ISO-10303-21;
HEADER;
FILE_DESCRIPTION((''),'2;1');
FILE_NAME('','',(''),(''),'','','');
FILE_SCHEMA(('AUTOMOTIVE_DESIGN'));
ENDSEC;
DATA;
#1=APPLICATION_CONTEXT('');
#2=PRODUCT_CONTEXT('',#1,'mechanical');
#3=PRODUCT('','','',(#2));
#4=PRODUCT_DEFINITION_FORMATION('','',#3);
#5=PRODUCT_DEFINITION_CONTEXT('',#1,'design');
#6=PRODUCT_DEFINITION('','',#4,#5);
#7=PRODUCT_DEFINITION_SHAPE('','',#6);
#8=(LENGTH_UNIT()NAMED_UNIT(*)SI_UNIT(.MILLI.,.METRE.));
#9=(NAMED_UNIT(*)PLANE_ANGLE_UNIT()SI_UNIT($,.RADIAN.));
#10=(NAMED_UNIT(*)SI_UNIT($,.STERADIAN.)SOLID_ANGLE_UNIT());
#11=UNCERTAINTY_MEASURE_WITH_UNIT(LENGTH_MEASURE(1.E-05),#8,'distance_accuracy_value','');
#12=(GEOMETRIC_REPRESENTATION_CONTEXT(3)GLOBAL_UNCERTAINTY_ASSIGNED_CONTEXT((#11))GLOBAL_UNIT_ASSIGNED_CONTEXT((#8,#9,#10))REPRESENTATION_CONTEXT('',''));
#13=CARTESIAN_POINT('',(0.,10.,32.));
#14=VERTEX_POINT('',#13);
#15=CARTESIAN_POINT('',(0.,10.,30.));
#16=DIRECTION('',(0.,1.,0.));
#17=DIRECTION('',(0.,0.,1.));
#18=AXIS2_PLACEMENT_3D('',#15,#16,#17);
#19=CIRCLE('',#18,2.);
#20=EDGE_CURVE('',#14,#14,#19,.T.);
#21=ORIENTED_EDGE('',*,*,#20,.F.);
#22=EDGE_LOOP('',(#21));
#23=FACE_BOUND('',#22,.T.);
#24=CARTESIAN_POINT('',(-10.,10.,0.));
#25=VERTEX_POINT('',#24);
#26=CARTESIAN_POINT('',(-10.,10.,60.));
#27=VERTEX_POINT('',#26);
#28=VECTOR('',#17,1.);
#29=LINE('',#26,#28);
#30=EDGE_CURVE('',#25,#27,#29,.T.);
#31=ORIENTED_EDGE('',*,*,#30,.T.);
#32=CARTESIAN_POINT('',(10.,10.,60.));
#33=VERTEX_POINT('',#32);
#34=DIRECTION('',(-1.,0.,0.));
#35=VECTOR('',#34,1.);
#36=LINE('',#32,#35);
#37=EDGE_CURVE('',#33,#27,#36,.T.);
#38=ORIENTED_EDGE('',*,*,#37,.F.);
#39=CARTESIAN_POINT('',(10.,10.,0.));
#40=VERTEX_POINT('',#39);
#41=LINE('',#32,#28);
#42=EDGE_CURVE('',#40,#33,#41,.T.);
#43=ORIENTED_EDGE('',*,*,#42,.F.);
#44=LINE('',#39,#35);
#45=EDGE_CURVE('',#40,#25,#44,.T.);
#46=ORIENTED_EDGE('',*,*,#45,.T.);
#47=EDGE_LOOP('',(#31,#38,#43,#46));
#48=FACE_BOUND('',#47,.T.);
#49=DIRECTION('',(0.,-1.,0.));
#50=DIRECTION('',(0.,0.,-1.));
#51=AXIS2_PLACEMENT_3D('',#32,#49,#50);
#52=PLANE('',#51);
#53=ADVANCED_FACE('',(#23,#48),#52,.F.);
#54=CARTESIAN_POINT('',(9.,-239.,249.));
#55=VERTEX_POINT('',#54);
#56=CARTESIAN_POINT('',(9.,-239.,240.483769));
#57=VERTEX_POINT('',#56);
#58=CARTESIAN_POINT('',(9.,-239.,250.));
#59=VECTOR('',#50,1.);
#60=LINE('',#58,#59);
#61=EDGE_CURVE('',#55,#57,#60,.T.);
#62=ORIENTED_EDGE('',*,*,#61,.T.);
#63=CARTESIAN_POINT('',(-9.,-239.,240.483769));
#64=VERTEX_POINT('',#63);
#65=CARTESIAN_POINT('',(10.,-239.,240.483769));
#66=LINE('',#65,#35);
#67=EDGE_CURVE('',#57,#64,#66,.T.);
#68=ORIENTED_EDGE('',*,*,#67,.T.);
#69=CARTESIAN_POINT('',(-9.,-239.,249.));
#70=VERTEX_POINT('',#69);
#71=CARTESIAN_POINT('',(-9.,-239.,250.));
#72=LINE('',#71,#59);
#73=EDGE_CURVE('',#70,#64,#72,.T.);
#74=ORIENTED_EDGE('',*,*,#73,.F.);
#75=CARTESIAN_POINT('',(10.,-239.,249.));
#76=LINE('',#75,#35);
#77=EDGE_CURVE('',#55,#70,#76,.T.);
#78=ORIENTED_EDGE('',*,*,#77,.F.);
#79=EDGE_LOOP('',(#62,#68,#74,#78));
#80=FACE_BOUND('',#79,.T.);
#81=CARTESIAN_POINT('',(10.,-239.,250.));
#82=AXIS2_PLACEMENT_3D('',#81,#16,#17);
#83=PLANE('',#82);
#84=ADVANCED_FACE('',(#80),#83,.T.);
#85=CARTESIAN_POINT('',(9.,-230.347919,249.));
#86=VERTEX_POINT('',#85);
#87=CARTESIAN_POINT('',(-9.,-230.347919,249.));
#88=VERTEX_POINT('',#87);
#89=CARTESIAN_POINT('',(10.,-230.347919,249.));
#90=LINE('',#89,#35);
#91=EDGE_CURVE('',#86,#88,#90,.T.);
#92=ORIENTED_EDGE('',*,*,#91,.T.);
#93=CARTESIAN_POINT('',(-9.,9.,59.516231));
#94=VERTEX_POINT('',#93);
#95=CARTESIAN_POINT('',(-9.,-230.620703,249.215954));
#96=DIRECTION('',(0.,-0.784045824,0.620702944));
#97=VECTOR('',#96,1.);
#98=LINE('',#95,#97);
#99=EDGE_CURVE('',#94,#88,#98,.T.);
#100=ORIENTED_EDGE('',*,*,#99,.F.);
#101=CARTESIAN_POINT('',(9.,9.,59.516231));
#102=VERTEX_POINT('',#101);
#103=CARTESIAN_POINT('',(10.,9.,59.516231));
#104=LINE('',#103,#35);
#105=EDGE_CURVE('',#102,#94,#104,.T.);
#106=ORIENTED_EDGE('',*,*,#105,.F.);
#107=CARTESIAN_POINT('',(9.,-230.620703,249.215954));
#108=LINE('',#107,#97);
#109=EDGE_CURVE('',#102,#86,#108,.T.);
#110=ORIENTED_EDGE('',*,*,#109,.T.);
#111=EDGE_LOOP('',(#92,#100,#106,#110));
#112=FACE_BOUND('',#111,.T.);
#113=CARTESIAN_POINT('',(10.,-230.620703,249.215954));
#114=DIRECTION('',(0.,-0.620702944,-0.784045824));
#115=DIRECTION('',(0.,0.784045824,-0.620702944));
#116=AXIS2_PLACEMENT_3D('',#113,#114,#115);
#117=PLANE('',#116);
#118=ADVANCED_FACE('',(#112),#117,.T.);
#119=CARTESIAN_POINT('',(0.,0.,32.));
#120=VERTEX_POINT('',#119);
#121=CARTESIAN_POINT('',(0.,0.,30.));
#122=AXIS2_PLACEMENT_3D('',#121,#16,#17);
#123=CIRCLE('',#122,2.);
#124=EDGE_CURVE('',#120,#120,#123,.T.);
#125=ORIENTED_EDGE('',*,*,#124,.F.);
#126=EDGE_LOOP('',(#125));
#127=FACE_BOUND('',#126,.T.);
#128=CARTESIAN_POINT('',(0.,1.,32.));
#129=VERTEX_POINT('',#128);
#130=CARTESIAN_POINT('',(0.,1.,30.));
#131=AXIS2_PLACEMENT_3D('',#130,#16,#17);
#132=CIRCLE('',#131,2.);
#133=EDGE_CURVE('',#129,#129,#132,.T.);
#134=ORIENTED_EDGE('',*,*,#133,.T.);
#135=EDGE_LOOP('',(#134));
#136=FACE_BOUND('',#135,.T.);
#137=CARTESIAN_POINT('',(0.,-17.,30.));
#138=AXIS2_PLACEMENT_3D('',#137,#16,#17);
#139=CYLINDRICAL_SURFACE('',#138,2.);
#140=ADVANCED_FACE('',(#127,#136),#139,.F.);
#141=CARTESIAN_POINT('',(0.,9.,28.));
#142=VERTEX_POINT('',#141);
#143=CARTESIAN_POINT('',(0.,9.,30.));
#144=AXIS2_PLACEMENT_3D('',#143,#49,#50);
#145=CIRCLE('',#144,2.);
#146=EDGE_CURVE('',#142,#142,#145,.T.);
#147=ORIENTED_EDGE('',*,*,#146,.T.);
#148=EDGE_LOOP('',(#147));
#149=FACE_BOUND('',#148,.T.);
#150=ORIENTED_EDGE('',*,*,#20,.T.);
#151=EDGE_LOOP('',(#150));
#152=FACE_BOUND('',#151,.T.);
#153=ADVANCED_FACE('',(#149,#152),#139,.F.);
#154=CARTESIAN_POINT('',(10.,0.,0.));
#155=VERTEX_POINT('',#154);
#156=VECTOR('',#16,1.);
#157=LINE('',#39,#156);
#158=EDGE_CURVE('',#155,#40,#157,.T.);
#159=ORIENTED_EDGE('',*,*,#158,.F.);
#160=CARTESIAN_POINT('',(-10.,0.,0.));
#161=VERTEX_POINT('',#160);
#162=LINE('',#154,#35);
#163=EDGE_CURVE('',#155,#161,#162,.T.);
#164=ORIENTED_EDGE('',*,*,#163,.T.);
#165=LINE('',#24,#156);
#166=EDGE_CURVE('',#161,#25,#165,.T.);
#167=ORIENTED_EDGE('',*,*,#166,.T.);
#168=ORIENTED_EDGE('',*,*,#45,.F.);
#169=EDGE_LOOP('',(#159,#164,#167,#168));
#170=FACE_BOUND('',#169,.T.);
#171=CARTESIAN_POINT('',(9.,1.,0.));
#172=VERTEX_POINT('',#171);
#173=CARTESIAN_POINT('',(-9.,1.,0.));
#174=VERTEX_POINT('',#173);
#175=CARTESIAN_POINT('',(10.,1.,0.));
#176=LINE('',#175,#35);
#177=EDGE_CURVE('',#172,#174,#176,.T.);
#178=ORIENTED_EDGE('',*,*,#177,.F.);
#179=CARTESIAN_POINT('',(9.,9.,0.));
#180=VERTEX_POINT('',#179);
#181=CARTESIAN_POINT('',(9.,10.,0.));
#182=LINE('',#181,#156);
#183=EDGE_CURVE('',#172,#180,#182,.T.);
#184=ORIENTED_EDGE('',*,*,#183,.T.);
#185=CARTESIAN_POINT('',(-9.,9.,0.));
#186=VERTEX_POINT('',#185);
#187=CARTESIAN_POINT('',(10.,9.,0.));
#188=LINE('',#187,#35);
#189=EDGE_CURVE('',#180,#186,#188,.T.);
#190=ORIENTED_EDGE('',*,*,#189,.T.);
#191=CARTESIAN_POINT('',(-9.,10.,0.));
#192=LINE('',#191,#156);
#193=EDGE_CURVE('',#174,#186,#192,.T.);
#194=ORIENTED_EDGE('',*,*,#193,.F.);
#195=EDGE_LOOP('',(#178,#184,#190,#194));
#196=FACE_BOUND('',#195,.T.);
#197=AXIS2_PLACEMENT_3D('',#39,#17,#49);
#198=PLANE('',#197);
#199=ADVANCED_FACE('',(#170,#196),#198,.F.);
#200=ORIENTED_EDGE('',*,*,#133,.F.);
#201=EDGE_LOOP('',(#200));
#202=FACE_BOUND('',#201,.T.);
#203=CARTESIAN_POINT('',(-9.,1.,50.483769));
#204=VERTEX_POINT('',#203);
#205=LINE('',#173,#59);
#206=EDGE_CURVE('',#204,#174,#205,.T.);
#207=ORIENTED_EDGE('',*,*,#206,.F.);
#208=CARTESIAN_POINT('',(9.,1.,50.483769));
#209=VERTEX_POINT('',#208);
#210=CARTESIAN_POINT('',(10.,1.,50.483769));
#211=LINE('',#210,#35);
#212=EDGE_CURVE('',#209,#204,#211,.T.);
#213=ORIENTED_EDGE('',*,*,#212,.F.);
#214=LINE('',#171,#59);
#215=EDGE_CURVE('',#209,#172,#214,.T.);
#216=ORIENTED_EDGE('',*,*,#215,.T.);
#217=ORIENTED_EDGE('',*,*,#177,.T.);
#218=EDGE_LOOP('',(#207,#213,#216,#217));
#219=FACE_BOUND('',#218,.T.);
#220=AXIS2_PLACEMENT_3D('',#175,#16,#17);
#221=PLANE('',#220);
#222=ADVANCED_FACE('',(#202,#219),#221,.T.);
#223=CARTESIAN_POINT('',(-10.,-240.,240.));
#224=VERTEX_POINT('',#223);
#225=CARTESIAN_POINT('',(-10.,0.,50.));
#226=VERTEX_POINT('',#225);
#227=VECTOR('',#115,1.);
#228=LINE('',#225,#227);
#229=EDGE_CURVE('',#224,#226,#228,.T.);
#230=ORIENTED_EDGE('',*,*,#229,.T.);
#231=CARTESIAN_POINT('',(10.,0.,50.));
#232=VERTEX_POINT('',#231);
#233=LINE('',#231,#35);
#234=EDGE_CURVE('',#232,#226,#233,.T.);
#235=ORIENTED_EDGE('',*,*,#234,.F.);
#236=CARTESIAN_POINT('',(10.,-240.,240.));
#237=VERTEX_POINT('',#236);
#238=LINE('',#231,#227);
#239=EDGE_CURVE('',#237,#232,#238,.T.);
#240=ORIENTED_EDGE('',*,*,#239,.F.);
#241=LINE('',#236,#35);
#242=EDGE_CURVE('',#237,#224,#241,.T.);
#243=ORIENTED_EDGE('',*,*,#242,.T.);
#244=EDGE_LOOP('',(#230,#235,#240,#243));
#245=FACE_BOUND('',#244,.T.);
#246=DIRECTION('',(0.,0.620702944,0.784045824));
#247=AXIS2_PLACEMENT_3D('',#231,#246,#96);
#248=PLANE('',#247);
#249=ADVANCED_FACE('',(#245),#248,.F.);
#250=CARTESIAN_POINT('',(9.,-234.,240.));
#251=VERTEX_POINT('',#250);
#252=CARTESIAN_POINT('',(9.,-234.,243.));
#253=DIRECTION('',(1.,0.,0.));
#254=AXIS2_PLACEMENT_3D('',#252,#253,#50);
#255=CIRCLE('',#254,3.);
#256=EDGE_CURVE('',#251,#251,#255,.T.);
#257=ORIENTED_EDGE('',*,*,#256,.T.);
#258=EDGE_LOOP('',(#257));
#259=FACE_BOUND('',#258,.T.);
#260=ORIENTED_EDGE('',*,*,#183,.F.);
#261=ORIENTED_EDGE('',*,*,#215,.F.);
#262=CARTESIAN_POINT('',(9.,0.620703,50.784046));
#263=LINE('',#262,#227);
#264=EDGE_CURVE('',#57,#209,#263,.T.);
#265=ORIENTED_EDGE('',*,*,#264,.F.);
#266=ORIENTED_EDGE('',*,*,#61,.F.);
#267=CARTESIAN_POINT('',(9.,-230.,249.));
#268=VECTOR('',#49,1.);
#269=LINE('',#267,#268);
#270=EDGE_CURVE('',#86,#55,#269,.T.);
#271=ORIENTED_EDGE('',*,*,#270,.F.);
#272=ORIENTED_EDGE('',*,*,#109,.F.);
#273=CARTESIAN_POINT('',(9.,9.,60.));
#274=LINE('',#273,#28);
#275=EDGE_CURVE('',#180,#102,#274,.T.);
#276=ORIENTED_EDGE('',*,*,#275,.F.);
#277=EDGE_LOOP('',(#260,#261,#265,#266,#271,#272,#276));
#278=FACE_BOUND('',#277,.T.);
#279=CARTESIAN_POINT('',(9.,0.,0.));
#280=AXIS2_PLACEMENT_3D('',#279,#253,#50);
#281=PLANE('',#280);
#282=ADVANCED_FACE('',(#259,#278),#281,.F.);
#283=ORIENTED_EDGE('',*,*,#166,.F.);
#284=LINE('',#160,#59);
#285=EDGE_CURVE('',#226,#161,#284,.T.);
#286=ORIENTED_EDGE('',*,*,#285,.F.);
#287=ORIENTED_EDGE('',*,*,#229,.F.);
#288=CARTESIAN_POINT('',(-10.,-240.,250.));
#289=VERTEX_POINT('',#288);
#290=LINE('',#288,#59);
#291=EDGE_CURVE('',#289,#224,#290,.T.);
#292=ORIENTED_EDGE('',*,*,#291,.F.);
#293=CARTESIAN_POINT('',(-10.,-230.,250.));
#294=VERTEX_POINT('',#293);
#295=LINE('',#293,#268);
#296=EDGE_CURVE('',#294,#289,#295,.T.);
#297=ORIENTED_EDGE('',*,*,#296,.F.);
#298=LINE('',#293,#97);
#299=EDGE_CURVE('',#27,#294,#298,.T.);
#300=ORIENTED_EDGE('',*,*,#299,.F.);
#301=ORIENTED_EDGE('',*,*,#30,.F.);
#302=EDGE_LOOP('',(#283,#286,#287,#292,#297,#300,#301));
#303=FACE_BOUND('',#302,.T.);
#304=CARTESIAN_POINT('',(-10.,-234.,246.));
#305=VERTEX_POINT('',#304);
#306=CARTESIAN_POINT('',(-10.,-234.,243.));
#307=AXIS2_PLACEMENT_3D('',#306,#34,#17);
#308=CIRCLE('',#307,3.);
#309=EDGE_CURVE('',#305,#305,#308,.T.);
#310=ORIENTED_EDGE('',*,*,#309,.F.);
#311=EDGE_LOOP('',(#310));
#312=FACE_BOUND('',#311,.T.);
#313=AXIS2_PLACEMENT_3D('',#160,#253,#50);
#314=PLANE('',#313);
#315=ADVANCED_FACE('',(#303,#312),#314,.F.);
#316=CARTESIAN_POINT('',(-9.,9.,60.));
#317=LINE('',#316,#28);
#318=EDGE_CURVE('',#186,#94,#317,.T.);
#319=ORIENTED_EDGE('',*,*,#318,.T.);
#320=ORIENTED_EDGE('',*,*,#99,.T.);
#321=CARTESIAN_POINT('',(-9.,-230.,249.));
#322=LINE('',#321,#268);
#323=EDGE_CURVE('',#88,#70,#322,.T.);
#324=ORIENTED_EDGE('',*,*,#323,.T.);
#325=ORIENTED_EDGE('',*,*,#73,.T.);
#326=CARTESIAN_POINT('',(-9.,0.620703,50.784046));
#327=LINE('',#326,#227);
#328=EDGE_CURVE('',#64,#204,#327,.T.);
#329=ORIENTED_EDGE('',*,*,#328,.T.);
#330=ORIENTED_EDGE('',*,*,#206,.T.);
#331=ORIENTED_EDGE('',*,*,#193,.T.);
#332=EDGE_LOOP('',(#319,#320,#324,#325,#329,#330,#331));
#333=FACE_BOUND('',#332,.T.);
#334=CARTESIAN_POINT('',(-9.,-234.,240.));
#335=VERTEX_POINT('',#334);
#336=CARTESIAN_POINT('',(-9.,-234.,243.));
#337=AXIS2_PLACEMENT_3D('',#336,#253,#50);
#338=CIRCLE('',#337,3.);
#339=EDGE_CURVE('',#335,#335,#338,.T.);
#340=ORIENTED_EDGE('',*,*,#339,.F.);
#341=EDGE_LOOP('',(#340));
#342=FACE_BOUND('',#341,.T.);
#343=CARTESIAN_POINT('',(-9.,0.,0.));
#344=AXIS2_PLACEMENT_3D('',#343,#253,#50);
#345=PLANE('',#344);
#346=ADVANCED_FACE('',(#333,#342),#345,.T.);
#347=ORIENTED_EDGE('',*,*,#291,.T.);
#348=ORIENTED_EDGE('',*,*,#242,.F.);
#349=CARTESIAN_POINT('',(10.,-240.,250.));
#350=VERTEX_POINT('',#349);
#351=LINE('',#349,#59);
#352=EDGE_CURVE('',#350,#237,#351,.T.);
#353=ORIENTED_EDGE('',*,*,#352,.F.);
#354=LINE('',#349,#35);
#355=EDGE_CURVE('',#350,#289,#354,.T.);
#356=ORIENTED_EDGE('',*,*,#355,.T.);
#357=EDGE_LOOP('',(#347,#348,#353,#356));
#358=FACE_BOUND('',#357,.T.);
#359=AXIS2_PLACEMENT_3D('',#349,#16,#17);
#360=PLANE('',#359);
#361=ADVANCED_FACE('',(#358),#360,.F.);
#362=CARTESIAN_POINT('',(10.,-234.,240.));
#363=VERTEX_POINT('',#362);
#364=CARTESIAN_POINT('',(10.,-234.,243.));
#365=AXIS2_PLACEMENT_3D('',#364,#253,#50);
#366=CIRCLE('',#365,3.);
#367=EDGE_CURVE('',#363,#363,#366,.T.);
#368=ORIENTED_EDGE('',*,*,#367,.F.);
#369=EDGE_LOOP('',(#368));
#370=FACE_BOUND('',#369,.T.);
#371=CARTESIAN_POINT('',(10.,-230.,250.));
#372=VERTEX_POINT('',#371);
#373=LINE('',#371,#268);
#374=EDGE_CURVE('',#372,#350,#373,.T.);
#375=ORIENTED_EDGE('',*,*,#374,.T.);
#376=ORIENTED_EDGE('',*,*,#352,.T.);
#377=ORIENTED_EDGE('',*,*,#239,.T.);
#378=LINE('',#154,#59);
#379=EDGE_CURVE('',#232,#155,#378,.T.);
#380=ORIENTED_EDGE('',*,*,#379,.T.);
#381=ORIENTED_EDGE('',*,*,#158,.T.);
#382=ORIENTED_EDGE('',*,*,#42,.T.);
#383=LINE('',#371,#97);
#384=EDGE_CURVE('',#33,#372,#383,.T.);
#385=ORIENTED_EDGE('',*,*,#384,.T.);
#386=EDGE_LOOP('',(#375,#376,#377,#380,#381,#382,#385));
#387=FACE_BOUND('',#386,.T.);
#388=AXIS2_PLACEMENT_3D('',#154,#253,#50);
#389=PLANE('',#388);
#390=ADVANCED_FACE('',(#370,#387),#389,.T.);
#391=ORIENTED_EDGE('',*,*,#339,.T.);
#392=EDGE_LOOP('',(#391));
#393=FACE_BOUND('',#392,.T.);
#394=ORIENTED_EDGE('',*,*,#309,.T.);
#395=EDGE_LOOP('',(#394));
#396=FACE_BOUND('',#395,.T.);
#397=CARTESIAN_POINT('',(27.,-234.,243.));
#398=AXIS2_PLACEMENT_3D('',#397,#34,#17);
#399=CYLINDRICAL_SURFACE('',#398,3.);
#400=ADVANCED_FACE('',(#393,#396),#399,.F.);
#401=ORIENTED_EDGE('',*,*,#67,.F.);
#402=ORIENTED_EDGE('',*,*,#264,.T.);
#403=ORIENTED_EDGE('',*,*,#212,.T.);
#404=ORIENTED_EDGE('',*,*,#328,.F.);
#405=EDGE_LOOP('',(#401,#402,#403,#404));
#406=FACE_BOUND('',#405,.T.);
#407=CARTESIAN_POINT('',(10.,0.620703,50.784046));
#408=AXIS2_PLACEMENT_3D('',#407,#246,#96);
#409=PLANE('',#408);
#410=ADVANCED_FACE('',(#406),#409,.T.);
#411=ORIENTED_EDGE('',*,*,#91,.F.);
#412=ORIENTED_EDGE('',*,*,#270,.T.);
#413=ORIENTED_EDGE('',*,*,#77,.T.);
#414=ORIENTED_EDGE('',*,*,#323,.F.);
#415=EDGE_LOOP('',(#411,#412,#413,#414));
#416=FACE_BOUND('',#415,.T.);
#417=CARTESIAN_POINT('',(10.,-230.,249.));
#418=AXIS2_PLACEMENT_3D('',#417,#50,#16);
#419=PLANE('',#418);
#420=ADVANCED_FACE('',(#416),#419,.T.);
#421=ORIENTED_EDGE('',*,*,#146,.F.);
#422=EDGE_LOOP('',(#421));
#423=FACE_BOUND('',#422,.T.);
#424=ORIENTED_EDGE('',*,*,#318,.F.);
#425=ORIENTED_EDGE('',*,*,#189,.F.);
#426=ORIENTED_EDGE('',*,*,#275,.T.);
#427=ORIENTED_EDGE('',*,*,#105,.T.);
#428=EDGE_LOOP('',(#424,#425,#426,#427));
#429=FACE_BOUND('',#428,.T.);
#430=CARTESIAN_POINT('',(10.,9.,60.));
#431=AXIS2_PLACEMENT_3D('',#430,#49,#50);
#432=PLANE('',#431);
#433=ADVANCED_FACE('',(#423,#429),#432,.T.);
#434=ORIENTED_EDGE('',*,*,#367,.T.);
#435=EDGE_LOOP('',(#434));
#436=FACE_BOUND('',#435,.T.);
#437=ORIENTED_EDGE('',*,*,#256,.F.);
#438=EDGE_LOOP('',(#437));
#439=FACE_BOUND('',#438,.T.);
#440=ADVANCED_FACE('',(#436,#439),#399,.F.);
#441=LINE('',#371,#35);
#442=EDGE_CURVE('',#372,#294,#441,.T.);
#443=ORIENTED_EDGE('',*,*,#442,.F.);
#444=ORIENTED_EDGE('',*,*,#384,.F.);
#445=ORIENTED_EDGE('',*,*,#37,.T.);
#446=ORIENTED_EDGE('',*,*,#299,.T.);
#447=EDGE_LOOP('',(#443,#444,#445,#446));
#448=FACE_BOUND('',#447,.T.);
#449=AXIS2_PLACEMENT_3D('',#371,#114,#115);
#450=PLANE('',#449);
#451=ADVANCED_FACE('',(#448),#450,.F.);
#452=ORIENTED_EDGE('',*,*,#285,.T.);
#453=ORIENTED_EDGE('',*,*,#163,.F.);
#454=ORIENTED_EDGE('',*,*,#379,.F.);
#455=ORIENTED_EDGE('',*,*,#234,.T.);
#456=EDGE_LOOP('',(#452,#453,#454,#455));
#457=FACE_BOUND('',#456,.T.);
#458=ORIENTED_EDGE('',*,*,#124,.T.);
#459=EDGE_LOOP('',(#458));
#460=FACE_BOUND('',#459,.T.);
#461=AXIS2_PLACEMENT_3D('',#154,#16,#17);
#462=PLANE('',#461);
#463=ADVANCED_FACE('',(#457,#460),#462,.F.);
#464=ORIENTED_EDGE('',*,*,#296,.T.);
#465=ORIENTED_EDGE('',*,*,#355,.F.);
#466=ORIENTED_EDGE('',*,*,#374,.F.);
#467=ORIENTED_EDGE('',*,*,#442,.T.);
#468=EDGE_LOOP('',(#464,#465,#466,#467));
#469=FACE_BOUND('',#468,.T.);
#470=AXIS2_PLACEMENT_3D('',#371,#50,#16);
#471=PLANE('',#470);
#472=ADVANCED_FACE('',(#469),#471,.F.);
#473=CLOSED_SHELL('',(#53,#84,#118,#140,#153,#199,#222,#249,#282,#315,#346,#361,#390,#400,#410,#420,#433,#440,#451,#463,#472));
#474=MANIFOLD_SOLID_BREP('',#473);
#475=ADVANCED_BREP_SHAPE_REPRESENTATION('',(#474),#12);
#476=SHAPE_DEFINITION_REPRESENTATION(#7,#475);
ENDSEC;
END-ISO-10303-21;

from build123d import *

# Parameters (mm, degrees)
Y_KSEKLIK_EKSTR_ZYON1_DEPTH = 10
BO_ALTMA1_T                 = -1
IZIM2_R                     = 2
KES_EKSTR_ZYON1_DEPTH       = 27
IZIM3_R                     = 3
KES_EKSTR_ZYON2_DEPTH       = 37


with BuildPart() as part:
    # Çizim1 → Yükseklik-Ekstrüzyon1 (new, symmetric)
    with BuildSketch(Plane(origin=(0, 0, 0), x_dir=(0, 0, -1), z_dir=(1, 0, 0))):
        Polygon((0, 0), (-50, 0), (-240, -240), (-250, -240), (-250, -230), (-60, 10), (0, 10), align=None)
    extrude(amount=Y_KSEKLIK_EKSTR_ZYON1_DEPTH, both=True)

    # İç Boşaltma1
    bo_altma1_openings = [part.faces().sort_by_distance(p)[0] for p in [
        (0, 5, 0),
    ]]
    offset(amount=BO_ALTMA1_T, openings=bo_altma1_openings, kind=Kind.INTERSECTION)

    # Çizim2 → Kes-Ekstrüzyon1 (cut)
    with BuildSketch(Plane(origin=(0, 10, 0), x_dir=(1, 0, 0), z_dir=(0, 1, 0))):
        with Locations(Location((0, -30, 0), (0, 0, 270))):
            Circle(IZIM2_R)
    extrude(amount=-KES_EKSTR_ZYON1_DEPTH, mode=Mode.SUBTRACT)

    # Çizim3 → Kes-Ekstrüzyon2 (cut)
    with BuildSketch(Plane.ZY.offset(10)):
        with Locations((243, -234)):
            Circle(IZIM3_R)
    extrude(amount=-KES_EKSTR_ZYON2_DEPTH, mode=Mode.SUBTRACT)


solid = part.part
